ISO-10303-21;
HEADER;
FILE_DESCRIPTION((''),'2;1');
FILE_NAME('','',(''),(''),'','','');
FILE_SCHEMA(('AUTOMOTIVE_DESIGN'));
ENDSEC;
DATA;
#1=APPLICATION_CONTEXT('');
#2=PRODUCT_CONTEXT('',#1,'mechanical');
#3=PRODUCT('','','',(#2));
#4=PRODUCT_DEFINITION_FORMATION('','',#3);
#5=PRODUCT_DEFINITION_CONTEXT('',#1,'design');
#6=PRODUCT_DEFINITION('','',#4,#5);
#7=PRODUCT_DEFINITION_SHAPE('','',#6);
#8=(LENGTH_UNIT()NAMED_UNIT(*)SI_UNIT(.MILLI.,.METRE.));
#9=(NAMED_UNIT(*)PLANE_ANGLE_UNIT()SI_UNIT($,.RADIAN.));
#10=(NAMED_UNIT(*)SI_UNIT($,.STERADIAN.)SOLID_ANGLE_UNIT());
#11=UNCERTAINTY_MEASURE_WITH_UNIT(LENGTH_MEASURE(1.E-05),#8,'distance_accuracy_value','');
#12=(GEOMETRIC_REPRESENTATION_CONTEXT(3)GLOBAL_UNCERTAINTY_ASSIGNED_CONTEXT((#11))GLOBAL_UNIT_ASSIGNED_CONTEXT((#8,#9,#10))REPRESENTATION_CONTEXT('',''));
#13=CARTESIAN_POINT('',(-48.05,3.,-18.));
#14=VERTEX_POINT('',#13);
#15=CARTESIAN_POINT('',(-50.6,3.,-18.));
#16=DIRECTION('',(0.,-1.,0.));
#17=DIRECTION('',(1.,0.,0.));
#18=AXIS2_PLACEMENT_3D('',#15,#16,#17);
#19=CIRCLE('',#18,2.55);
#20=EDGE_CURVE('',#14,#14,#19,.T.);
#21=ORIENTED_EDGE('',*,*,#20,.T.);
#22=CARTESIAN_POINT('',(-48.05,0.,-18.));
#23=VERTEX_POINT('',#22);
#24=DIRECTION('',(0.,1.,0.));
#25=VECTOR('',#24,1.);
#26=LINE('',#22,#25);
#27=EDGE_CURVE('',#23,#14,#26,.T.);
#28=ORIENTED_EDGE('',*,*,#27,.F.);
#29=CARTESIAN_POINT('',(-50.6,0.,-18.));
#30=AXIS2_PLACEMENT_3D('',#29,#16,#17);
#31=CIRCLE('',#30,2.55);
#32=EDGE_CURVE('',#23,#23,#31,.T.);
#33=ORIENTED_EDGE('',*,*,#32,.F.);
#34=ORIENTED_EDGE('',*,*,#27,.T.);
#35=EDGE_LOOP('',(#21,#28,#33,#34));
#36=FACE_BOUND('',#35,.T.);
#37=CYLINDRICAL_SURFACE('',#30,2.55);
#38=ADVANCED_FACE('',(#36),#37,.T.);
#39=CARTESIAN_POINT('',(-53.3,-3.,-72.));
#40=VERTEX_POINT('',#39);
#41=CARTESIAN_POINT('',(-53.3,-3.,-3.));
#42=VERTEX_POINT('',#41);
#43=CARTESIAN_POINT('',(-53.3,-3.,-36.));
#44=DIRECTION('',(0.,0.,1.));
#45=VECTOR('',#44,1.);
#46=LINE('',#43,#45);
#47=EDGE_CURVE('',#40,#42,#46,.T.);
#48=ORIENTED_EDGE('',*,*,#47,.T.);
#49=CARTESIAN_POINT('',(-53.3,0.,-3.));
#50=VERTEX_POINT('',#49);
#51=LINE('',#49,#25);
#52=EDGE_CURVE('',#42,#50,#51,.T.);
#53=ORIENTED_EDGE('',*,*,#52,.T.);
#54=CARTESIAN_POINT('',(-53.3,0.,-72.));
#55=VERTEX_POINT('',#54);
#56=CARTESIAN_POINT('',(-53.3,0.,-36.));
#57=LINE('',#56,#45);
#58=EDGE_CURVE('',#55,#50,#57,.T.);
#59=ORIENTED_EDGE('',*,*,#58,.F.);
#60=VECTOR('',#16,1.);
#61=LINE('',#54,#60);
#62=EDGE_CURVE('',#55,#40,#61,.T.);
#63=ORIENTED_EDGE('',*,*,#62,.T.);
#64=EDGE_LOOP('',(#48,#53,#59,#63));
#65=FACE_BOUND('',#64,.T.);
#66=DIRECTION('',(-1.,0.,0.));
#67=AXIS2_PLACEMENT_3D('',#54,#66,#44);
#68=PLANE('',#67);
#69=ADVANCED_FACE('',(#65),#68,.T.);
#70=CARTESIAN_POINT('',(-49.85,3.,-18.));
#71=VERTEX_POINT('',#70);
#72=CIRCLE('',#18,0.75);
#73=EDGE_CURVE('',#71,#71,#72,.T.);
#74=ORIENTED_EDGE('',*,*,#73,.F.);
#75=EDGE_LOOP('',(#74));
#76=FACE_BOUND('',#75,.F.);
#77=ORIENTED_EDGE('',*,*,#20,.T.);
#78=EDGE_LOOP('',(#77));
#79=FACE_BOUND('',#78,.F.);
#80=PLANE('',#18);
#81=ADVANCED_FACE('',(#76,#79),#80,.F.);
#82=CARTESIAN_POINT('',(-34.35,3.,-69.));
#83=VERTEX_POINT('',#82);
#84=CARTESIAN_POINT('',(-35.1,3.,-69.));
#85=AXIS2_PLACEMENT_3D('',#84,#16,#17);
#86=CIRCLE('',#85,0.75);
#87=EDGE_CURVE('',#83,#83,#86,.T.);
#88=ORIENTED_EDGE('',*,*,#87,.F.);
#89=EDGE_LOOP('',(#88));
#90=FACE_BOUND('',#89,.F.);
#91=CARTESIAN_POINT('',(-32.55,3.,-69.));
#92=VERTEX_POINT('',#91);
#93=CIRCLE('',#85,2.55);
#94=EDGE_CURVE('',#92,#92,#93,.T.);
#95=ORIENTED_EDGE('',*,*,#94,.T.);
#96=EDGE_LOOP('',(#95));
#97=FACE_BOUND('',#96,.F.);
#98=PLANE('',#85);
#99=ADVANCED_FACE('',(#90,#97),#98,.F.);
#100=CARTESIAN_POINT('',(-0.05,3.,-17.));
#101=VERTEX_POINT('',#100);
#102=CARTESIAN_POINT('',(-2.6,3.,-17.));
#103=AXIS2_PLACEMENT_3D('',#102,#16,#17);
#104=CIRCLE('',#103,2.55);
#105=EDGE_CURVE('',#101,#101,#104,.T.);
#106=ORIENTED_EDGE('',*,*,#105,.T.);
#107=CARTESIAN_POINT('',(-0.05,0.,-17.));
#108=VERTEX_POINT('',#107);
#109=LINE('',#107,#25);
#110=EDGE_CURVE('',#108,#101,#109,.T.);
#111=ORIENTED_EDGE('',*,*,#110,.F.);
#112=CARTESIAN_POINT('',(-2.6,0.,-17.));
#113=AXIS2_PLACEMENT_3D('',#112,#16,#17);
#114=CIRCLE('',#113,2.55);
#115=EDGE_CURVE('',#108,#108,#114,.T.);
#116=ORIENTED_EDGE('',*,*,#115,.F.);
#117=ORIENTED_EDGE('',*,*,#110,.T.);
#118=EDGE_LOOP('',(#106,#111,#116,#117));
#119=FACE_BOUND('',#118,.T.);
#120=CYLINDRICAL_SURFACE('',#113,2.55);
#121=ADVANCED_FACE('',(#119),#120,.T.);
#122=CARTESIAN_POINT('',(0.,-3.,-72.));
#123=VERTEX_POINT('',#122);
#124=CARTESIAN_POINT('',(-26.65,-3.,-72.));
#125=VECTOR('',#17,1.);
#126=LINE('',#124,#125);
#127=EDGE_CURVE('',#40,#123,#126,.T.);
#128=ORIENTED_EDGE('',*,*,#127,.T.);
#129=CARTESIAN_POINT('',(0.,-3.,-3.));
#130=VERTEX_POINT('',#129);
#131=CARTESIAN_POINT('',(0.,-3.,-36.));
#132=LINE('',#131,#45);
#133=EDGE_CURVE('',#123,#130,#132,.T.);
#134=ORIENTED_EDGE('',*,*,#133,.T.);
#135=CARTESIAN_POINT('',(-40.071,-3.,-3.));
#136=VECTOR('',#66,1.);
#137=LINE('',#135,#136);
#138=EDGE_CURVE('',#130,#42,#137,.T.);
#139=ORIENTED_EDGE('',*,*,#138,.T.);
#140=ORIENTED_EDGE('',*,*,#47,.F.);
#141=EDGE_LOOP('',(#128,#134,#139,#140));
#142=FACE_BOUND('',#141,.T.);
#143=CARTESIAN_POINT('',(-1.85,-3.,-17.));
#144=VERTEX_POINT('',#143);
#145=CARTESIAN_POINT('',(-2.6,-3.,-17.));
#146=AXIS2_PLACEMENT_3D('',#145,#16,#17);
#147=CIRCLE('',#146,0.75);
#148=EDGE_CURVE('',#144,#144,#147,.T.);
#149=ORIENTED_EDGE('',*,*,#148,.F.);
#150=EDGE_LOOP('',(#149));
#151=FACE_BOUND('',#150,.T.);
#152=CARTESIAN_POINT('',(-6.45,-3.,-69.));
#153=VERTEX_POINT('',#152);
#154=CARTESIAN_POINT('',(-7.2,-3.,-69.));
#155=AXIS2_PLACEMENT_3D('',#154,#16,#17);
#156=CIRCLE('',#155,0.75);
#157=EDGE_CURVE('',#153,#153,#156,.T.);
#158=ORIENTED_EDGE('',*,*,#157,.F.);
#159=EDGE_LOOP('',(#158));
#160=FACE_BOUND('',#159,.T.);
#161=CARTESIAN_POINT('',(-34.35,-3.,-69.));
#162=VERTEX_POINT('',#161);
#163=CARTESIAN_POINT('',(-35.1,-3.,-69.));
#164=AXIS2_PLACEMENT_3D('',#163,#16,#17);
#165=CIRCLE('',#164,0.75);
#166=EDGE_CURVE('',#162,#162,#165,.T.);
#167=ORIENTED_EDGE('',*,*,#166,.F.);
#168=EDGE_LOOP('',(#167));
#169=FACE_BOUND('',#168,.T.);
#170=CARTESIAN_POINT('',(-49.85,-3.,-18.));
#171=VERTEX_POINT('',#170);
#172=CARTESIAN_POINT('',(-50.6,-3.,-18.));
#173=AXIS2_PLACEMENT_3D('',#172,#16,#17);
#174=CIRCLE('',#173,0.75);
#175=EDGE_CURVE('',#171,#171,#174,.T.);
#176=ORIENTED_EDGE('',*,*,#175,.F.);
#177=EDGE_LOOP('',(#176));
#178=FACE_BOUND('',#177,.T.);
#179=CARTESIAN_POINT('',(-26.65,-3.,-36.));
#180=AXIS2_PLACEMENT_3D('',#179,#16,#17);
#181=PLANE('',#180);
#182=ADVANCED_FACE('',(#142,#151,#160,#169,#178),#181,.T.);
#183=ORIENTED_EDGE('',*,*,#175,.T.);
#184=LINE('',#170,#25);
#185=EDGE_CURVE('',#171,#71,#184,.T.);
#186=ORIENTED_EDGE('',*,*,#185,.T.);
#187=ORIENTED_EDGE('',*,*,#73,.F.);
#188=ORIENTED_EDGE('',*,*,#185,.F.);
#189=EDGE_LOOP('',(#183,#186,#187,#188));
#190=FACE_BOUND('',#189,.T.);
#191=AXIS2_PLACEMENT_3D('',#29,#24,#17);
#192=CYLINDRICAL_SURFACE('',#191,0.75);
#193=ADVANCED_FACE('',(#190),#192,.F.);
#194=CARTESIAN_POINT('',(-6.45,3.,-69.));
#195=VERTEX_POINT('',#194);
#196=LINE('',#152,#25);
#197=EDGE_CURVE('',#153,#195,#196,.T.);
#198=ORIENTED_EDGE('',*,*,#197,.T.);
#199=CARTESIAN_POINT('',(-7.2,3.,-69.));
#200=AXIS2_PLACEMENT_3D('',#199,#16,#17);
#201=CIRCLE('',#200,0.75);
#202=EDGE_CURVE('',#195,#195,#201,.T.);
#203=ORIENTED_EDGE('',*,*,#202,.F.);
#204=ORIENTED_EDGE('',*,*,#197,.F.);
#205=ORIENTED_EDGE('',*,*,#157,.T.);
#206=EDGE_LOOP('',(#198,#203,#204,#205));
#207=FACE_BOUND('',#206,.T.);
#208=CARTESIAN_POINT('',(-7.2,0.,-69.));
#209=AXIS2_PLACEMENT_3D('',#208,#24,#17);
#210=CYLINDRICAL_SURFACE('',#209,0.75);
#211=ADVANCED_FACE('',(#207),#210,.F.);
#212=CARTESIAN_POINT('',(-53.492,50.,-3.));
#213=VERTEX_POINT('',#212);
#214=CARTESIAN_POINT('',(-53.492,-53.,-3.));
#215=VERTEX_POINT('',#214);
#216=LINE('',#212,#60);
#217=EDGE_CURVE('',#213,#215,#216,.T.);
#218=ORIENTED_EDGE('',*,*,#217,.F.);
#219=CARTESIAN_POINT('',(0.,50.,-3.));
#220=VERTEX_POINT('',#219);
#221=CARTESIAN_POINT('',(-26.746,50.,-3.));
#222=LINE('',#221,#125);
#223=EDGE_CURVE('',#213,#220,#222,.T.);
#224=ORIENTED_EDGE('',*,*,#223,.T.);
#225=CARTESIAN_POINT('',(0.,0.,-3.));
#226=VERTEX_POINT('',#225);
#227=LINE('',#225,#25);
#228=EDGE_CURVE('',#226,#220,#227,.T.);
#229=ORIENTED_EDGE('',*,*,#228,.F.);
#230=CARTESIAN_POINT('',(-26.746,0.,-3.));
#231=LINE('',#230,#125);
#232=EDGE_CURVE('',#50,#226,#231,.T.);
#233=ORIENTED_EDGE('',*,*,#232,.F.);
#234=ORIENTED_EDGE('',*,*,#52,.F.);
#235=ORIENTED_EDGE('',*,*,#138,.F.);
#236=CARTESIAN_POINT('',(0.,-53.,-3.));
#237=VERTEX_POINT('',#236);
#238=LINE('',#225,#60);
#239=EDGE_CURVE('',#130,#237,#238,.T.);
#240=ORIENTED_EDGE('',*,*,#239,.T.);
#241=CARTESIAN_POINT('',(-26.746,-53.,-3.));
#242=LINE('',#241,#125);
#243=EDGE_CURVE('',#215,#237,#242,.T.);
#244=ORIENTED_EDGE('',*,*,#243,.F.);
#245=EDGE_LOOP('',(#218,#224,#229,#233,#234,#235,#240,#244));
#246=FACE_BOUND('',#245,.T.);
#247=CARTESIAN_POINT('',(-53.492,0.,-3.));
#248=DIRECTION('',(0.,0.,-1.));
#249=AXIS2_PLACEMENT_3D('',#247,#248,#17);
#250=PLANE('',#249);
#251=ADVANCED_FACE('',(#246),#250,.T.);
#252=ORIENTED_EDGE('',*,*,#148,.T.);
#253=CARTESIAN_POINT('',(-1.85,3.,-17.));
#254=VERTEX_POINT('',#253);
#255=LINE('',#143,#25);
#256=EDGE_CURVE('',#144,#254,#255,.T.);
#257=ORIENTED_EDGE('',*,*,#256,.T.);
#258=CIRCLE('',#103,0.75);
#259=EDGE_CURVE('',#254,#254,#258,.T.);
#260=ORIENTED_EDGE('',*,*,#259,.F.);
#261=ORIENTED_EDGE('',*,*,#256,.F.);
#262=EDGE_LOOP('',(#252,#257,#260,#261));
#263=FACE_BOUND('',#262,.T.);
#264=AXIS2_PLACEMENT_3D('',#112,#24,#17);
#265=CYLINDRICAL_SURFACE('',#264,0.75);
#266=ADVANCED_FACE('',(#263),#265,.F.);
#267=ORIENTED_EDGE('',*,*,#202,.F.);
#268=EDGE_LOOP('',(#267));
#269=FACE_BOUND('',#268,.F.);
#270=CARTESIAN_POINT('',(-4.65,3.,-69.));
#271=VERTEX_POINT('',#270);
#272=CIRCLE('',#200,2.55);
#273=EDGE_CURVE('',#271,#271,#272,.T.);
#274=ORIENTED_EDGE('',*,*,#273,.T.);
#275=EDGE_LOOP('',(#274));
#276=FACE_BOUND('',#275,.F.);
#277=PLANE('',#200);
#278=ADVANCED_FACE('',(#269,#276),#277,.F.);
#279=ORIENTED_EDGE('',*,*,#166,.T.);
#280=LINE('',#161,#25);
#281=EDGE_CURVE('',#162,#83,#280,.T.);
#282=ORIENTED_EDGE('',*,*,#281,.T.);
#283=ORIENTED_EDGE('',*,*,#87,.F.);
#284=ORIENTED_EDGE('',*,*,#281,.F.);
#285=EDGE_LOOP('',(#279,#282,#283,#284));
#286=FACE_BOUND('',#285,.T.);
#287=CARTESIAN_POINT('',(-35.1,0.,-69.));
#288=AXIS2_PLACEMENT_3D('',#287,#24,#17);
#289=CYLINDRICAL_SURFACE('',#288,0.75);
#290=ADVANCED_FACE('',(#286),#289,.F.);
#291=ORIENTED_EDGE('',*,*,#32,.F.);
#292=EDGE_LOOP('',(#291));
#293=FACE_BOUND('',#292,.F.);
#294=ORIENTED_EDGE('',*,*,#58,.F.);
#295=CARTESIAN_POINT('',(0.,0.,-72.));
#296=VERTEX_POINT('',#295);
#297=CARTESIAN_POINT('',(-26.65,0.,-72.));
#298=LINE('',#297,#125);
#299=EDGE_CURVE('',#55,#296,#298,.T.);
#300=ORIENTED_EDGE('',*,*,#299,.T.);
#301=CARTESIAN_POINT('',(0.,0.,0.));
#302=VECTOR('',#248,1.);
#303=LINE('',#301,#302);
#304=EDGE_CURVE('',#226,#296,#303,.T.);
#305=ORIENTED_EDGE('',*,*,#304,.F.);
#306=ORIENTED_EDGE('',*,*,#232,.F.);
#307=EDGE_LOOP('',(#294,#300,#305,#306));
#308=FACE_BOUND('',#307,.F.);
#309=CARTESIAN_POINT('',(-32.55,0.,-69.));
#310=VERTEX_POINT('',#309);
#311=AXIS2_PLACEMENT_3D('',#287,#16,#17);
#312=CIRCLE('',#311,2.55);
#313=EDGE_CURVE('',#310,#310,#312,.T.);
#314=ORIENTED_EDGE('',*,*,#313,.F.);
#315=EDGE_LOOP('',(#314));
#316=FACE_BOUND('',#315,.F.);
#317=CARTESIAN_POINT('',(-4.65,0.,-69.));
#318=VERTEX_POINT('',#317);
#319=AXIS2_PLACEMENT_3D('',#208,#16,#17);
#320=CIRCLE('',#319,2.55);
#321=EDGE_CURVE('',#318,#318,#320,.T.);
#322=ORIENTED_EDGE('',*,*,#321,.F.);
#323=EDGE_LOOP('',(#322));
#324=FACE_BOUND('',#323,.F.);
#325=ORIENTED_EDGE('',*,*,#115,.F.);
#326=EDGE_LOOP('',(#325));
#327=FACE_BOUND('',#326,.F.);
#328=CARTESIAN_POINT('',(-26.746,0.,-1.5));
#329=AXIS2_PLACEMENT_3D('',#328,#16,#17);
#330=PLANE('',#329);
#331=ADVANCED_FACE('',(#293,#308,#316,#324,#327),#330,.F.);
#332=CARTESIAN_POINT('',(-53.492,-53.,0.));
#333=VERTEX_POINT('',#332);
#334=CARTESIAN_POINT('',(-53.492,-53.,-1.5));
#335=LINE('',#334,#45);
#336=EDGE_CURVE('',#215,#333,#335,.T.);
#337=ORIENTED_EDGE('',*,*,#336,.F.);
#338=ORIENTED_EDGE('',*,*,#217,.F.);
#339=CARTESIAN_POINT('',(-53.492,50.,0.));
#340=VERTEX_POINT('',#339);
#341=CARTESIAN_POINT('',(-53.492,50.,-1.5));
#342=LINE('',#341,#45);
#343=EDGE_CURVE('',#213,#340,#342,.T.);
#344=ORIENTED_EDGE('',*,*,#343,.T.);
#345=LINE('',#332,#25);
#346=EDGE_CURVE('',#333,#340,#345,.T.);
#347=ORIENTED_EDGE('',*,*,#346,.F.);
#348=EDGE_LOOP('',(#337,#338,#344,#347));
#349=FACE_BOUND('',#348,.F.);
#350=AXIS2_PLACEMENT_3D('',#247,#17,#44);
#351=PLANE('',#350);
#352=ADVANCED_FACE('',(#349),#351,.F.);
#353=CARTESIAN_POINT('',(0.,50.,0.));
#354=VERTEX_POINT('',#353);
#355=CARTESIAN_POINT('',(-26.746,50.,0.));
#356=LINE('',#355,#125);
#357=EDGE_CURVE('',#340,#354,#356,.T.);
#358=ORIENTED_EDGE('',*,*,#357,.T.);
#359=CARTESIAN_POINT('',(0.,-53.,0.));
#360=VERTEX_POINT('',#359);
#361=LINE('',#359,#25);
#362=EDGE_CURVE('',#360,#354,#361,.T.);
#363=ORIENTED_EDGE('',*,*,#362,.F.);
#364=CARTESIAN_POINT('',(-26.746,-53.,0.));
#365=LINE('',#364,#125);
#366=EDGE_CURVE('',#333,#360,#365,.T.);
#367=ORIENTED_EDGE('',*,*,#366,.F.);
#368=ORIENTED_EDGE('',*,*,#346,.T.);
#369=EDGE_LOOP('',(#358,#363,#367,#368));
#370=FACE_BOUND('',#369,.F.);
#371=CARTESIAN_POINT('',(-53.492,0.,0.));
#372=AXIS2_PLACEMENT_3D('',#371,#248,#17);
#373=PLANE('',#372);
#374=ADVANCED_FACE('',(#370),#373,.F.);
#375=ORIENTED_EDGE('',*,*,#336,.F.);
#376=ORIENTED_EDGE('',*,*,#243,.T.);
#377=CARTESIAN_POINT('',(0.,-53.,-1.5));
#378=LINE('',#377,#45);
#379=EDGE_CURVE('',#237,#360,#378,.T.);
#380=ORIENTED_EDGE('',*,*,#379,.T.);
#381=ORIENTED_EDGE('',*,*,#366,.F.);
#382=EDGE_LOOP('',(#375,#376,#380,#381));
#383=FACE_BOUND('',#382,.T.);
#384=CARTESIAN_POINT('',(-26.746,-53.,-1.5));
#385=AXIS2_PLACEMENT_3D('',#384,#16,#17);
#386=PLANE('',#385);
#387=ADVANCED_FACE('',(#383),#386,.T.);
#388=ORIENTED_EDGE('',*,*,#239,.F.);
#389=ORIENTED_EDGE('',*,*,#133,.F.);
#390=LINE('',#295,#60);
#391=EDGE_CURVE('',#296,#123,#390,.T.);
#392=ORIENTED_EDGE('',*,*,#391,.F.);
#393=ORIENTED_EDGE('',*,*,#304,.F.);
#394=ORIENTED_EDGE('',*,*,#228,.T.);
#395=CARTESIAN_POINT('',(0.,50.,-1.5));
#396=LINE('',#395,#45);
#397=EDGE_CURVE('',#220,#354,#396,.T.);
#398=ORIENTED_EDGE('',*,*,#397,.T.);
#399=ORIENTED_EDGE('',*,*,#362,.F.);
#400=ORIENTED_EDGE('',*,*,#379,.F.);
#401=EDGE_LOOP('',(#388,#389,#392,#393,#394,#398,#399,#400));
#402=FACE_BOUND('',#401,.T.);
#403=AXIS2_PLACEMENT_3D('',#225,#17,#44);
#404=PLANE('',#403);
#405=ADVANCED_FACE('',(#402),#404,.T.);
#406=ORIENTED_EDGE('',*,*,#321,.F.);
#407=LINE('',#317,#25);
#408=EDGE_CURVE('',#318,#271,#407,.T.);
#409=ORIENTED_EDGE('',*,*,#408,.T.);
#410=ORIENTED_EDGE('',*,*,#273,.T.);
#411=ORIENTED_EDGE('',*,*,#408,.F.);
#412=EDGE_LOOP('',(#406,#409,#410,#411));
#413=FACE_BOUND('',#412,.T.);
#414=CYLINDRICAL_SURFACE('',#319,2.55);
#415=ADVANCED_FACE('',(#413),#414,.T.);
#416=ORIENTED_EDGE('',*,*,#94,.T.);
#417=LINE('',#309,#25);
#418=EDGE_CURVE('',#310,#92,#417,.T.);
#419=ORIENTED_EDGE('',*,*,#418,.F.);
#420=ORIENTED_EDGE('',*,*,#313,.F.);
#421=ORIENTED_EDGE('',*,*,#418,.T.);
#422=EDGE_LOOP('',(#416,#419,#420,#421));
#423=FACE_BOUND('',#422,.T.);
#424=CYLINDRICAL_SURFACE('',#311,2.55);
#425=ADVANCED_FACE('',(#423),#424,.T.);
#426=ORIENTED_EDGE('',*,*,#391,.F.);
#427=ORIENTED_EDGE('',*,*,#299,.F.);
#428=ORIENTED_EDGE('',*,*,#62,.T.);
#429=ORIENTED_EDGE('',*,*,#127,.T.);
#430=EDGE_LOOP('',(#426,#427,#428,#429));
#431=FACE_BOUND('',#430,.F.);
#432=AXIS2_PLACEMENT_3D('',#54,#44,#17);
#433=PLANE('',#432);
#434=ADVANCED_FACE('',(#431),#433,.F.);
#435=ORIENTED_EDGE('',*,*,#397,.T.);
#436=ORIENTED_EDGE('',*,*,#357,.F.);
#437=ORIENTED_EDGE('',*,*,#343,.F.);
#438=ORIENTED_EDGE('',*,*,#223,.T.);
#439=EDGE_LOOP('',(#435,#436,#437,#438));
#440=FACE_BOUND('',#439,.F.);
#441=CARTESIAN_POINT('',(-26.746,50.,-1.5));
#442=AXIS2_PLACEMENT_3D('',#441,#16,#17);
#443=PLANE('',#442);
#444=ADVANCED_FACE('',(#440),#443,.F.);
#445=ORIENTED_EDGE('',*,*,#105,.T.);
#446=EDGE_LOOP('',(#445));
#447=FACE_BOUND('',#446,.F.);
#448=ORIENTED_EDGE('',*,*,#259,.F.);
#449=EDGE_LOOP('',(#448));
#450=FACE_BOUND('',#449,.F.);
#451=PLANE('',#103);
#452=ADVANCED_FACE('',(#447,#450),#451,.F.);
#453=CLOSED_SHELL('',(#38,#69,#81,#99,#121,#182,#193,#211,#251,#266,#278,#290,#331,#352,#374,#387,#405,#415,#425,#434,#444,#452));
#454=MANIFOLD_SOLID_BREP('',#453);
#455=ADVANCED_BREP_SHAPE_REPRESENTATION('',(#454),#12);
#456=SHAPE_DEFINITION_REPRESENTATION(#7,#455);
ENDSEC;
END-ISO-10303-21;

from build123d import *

# Parameters (mm, degrees)
F0_W     = 53.3
F0_H     = 72
F0_R     = 2.55
F0_R_2   = 0.75
F1_DEPTH = 3
F2_DEPTH = 3
F3_DEPTH = 3
F4_W     = 53.492
F4_H     = 3
F5_DEPTH = 53
F6_DEPTH = 50


with BuildPart() as f1:
    # F0 (on Front) → F1 (new body)
    with BuildSketch(Plane.XZ):
        with Locations((-26.65, -36)):
            Rectangle(F0_W, F0_H)
        with Locations((-35.1, -69)):
            Circle(F0_R, mode=Mode.SUBTRACT)
        with Locations((-7.2, -69)):
            Circle(F0_R, mode=Mode.SUBTRACT)
        with Locations((-50.6, -18)):
            Circle(F0_R, mode=Mode.SUBTRACT)
        with Locations((-2.6, -17)):
            Circle(F0_R, mode=Mode.SUBTRACT)
        with Locations((-50.6, -18)):
            Circle(F0_R)
        with Locations((-50.6, -18)):
            Circle(F0_R_2, mode=Mode.SUBTRACT)
        with Locations((-2.6, -17)):
            Circle(F0_R)
        with Locations((-2.6, -17)):
            Circle(F0_R_2, mode=Mode.SUBTRACT)
        with Locations((-7.2, -69)):
            Circle(F0_R)
        with Locations((-7.2, -69)):
            Circle(F0_R_2, mode=Mode.SUBTRACT)
        with Locations((-35.1, -69)):
            Circle(F0_R)
        with Locations((-35.1, -69)):
            Circle(F0_R_2, mode=Mode.SUBTRACT)
    extrude(amount=F1_DEPTH)

    # F0 (on Front) → F2 (join)
    with BuildSketch(Plane.XZ):
        with Locations((-50.6, -18)):
            Circle(F0_R)
        with Locations((-50.6, -18)):
            Circle(F0_R_2, mode=Mode.SUBTRACT)
        with Locations((-2.6, -17)):
            Circle(F0_R)
        with Locations((-2.6, -17)):
            Circle(F0_R_2, mode=Mode.SUBTRACT)
        with Locations((-7.2, -69)):
            Circle(F0_R)
        with Locations((-7.2, -69)):
            Circle(F0_R_2, mode=Mode.SUBTRACT)
        with Locations((-35.1, -69)):
            Circle(F0_R)
        with Locations((-35.1, -69)):
            Circle(F0_R_2, mode=Mode.SUBTRACT)
    extrude(amount=-F2_DEPTH)

    # F0 (on Front) → F3 (cut)
    with BuildSketch(Plane.XZ):
        with Locations((-2.6, -17)):
            Circle(F0_R_2)
        with Locations((-50.6, -18)):
            Circle(F0_R_2)
        with Locations((-35.1, -69)):
            Circle(F0_R_2)
        with Locations((-7.2, -69)):
            Circle(F0_R_2)
    extrude(amount=-F3_DEPTH, mode=Mode.SUBTRACT)

    # F4 (on Front) → F5 (join)
    with BuildSketch(Plane.XZ):
        with Locations((-26.746, -1.5)):
            Rectangle(F4_W, F4_H)
    extrude(amount=F5_DEPTH)

    # F4 (on Front) → F6 (join)
    with BuildSketch(Plane.XZ):
        with Locations((-26.746, -1.5)):
            Rectangle(F4_W, F4_H)
    extrude(amount=-F6_DEPTH)


solid = f1.part
